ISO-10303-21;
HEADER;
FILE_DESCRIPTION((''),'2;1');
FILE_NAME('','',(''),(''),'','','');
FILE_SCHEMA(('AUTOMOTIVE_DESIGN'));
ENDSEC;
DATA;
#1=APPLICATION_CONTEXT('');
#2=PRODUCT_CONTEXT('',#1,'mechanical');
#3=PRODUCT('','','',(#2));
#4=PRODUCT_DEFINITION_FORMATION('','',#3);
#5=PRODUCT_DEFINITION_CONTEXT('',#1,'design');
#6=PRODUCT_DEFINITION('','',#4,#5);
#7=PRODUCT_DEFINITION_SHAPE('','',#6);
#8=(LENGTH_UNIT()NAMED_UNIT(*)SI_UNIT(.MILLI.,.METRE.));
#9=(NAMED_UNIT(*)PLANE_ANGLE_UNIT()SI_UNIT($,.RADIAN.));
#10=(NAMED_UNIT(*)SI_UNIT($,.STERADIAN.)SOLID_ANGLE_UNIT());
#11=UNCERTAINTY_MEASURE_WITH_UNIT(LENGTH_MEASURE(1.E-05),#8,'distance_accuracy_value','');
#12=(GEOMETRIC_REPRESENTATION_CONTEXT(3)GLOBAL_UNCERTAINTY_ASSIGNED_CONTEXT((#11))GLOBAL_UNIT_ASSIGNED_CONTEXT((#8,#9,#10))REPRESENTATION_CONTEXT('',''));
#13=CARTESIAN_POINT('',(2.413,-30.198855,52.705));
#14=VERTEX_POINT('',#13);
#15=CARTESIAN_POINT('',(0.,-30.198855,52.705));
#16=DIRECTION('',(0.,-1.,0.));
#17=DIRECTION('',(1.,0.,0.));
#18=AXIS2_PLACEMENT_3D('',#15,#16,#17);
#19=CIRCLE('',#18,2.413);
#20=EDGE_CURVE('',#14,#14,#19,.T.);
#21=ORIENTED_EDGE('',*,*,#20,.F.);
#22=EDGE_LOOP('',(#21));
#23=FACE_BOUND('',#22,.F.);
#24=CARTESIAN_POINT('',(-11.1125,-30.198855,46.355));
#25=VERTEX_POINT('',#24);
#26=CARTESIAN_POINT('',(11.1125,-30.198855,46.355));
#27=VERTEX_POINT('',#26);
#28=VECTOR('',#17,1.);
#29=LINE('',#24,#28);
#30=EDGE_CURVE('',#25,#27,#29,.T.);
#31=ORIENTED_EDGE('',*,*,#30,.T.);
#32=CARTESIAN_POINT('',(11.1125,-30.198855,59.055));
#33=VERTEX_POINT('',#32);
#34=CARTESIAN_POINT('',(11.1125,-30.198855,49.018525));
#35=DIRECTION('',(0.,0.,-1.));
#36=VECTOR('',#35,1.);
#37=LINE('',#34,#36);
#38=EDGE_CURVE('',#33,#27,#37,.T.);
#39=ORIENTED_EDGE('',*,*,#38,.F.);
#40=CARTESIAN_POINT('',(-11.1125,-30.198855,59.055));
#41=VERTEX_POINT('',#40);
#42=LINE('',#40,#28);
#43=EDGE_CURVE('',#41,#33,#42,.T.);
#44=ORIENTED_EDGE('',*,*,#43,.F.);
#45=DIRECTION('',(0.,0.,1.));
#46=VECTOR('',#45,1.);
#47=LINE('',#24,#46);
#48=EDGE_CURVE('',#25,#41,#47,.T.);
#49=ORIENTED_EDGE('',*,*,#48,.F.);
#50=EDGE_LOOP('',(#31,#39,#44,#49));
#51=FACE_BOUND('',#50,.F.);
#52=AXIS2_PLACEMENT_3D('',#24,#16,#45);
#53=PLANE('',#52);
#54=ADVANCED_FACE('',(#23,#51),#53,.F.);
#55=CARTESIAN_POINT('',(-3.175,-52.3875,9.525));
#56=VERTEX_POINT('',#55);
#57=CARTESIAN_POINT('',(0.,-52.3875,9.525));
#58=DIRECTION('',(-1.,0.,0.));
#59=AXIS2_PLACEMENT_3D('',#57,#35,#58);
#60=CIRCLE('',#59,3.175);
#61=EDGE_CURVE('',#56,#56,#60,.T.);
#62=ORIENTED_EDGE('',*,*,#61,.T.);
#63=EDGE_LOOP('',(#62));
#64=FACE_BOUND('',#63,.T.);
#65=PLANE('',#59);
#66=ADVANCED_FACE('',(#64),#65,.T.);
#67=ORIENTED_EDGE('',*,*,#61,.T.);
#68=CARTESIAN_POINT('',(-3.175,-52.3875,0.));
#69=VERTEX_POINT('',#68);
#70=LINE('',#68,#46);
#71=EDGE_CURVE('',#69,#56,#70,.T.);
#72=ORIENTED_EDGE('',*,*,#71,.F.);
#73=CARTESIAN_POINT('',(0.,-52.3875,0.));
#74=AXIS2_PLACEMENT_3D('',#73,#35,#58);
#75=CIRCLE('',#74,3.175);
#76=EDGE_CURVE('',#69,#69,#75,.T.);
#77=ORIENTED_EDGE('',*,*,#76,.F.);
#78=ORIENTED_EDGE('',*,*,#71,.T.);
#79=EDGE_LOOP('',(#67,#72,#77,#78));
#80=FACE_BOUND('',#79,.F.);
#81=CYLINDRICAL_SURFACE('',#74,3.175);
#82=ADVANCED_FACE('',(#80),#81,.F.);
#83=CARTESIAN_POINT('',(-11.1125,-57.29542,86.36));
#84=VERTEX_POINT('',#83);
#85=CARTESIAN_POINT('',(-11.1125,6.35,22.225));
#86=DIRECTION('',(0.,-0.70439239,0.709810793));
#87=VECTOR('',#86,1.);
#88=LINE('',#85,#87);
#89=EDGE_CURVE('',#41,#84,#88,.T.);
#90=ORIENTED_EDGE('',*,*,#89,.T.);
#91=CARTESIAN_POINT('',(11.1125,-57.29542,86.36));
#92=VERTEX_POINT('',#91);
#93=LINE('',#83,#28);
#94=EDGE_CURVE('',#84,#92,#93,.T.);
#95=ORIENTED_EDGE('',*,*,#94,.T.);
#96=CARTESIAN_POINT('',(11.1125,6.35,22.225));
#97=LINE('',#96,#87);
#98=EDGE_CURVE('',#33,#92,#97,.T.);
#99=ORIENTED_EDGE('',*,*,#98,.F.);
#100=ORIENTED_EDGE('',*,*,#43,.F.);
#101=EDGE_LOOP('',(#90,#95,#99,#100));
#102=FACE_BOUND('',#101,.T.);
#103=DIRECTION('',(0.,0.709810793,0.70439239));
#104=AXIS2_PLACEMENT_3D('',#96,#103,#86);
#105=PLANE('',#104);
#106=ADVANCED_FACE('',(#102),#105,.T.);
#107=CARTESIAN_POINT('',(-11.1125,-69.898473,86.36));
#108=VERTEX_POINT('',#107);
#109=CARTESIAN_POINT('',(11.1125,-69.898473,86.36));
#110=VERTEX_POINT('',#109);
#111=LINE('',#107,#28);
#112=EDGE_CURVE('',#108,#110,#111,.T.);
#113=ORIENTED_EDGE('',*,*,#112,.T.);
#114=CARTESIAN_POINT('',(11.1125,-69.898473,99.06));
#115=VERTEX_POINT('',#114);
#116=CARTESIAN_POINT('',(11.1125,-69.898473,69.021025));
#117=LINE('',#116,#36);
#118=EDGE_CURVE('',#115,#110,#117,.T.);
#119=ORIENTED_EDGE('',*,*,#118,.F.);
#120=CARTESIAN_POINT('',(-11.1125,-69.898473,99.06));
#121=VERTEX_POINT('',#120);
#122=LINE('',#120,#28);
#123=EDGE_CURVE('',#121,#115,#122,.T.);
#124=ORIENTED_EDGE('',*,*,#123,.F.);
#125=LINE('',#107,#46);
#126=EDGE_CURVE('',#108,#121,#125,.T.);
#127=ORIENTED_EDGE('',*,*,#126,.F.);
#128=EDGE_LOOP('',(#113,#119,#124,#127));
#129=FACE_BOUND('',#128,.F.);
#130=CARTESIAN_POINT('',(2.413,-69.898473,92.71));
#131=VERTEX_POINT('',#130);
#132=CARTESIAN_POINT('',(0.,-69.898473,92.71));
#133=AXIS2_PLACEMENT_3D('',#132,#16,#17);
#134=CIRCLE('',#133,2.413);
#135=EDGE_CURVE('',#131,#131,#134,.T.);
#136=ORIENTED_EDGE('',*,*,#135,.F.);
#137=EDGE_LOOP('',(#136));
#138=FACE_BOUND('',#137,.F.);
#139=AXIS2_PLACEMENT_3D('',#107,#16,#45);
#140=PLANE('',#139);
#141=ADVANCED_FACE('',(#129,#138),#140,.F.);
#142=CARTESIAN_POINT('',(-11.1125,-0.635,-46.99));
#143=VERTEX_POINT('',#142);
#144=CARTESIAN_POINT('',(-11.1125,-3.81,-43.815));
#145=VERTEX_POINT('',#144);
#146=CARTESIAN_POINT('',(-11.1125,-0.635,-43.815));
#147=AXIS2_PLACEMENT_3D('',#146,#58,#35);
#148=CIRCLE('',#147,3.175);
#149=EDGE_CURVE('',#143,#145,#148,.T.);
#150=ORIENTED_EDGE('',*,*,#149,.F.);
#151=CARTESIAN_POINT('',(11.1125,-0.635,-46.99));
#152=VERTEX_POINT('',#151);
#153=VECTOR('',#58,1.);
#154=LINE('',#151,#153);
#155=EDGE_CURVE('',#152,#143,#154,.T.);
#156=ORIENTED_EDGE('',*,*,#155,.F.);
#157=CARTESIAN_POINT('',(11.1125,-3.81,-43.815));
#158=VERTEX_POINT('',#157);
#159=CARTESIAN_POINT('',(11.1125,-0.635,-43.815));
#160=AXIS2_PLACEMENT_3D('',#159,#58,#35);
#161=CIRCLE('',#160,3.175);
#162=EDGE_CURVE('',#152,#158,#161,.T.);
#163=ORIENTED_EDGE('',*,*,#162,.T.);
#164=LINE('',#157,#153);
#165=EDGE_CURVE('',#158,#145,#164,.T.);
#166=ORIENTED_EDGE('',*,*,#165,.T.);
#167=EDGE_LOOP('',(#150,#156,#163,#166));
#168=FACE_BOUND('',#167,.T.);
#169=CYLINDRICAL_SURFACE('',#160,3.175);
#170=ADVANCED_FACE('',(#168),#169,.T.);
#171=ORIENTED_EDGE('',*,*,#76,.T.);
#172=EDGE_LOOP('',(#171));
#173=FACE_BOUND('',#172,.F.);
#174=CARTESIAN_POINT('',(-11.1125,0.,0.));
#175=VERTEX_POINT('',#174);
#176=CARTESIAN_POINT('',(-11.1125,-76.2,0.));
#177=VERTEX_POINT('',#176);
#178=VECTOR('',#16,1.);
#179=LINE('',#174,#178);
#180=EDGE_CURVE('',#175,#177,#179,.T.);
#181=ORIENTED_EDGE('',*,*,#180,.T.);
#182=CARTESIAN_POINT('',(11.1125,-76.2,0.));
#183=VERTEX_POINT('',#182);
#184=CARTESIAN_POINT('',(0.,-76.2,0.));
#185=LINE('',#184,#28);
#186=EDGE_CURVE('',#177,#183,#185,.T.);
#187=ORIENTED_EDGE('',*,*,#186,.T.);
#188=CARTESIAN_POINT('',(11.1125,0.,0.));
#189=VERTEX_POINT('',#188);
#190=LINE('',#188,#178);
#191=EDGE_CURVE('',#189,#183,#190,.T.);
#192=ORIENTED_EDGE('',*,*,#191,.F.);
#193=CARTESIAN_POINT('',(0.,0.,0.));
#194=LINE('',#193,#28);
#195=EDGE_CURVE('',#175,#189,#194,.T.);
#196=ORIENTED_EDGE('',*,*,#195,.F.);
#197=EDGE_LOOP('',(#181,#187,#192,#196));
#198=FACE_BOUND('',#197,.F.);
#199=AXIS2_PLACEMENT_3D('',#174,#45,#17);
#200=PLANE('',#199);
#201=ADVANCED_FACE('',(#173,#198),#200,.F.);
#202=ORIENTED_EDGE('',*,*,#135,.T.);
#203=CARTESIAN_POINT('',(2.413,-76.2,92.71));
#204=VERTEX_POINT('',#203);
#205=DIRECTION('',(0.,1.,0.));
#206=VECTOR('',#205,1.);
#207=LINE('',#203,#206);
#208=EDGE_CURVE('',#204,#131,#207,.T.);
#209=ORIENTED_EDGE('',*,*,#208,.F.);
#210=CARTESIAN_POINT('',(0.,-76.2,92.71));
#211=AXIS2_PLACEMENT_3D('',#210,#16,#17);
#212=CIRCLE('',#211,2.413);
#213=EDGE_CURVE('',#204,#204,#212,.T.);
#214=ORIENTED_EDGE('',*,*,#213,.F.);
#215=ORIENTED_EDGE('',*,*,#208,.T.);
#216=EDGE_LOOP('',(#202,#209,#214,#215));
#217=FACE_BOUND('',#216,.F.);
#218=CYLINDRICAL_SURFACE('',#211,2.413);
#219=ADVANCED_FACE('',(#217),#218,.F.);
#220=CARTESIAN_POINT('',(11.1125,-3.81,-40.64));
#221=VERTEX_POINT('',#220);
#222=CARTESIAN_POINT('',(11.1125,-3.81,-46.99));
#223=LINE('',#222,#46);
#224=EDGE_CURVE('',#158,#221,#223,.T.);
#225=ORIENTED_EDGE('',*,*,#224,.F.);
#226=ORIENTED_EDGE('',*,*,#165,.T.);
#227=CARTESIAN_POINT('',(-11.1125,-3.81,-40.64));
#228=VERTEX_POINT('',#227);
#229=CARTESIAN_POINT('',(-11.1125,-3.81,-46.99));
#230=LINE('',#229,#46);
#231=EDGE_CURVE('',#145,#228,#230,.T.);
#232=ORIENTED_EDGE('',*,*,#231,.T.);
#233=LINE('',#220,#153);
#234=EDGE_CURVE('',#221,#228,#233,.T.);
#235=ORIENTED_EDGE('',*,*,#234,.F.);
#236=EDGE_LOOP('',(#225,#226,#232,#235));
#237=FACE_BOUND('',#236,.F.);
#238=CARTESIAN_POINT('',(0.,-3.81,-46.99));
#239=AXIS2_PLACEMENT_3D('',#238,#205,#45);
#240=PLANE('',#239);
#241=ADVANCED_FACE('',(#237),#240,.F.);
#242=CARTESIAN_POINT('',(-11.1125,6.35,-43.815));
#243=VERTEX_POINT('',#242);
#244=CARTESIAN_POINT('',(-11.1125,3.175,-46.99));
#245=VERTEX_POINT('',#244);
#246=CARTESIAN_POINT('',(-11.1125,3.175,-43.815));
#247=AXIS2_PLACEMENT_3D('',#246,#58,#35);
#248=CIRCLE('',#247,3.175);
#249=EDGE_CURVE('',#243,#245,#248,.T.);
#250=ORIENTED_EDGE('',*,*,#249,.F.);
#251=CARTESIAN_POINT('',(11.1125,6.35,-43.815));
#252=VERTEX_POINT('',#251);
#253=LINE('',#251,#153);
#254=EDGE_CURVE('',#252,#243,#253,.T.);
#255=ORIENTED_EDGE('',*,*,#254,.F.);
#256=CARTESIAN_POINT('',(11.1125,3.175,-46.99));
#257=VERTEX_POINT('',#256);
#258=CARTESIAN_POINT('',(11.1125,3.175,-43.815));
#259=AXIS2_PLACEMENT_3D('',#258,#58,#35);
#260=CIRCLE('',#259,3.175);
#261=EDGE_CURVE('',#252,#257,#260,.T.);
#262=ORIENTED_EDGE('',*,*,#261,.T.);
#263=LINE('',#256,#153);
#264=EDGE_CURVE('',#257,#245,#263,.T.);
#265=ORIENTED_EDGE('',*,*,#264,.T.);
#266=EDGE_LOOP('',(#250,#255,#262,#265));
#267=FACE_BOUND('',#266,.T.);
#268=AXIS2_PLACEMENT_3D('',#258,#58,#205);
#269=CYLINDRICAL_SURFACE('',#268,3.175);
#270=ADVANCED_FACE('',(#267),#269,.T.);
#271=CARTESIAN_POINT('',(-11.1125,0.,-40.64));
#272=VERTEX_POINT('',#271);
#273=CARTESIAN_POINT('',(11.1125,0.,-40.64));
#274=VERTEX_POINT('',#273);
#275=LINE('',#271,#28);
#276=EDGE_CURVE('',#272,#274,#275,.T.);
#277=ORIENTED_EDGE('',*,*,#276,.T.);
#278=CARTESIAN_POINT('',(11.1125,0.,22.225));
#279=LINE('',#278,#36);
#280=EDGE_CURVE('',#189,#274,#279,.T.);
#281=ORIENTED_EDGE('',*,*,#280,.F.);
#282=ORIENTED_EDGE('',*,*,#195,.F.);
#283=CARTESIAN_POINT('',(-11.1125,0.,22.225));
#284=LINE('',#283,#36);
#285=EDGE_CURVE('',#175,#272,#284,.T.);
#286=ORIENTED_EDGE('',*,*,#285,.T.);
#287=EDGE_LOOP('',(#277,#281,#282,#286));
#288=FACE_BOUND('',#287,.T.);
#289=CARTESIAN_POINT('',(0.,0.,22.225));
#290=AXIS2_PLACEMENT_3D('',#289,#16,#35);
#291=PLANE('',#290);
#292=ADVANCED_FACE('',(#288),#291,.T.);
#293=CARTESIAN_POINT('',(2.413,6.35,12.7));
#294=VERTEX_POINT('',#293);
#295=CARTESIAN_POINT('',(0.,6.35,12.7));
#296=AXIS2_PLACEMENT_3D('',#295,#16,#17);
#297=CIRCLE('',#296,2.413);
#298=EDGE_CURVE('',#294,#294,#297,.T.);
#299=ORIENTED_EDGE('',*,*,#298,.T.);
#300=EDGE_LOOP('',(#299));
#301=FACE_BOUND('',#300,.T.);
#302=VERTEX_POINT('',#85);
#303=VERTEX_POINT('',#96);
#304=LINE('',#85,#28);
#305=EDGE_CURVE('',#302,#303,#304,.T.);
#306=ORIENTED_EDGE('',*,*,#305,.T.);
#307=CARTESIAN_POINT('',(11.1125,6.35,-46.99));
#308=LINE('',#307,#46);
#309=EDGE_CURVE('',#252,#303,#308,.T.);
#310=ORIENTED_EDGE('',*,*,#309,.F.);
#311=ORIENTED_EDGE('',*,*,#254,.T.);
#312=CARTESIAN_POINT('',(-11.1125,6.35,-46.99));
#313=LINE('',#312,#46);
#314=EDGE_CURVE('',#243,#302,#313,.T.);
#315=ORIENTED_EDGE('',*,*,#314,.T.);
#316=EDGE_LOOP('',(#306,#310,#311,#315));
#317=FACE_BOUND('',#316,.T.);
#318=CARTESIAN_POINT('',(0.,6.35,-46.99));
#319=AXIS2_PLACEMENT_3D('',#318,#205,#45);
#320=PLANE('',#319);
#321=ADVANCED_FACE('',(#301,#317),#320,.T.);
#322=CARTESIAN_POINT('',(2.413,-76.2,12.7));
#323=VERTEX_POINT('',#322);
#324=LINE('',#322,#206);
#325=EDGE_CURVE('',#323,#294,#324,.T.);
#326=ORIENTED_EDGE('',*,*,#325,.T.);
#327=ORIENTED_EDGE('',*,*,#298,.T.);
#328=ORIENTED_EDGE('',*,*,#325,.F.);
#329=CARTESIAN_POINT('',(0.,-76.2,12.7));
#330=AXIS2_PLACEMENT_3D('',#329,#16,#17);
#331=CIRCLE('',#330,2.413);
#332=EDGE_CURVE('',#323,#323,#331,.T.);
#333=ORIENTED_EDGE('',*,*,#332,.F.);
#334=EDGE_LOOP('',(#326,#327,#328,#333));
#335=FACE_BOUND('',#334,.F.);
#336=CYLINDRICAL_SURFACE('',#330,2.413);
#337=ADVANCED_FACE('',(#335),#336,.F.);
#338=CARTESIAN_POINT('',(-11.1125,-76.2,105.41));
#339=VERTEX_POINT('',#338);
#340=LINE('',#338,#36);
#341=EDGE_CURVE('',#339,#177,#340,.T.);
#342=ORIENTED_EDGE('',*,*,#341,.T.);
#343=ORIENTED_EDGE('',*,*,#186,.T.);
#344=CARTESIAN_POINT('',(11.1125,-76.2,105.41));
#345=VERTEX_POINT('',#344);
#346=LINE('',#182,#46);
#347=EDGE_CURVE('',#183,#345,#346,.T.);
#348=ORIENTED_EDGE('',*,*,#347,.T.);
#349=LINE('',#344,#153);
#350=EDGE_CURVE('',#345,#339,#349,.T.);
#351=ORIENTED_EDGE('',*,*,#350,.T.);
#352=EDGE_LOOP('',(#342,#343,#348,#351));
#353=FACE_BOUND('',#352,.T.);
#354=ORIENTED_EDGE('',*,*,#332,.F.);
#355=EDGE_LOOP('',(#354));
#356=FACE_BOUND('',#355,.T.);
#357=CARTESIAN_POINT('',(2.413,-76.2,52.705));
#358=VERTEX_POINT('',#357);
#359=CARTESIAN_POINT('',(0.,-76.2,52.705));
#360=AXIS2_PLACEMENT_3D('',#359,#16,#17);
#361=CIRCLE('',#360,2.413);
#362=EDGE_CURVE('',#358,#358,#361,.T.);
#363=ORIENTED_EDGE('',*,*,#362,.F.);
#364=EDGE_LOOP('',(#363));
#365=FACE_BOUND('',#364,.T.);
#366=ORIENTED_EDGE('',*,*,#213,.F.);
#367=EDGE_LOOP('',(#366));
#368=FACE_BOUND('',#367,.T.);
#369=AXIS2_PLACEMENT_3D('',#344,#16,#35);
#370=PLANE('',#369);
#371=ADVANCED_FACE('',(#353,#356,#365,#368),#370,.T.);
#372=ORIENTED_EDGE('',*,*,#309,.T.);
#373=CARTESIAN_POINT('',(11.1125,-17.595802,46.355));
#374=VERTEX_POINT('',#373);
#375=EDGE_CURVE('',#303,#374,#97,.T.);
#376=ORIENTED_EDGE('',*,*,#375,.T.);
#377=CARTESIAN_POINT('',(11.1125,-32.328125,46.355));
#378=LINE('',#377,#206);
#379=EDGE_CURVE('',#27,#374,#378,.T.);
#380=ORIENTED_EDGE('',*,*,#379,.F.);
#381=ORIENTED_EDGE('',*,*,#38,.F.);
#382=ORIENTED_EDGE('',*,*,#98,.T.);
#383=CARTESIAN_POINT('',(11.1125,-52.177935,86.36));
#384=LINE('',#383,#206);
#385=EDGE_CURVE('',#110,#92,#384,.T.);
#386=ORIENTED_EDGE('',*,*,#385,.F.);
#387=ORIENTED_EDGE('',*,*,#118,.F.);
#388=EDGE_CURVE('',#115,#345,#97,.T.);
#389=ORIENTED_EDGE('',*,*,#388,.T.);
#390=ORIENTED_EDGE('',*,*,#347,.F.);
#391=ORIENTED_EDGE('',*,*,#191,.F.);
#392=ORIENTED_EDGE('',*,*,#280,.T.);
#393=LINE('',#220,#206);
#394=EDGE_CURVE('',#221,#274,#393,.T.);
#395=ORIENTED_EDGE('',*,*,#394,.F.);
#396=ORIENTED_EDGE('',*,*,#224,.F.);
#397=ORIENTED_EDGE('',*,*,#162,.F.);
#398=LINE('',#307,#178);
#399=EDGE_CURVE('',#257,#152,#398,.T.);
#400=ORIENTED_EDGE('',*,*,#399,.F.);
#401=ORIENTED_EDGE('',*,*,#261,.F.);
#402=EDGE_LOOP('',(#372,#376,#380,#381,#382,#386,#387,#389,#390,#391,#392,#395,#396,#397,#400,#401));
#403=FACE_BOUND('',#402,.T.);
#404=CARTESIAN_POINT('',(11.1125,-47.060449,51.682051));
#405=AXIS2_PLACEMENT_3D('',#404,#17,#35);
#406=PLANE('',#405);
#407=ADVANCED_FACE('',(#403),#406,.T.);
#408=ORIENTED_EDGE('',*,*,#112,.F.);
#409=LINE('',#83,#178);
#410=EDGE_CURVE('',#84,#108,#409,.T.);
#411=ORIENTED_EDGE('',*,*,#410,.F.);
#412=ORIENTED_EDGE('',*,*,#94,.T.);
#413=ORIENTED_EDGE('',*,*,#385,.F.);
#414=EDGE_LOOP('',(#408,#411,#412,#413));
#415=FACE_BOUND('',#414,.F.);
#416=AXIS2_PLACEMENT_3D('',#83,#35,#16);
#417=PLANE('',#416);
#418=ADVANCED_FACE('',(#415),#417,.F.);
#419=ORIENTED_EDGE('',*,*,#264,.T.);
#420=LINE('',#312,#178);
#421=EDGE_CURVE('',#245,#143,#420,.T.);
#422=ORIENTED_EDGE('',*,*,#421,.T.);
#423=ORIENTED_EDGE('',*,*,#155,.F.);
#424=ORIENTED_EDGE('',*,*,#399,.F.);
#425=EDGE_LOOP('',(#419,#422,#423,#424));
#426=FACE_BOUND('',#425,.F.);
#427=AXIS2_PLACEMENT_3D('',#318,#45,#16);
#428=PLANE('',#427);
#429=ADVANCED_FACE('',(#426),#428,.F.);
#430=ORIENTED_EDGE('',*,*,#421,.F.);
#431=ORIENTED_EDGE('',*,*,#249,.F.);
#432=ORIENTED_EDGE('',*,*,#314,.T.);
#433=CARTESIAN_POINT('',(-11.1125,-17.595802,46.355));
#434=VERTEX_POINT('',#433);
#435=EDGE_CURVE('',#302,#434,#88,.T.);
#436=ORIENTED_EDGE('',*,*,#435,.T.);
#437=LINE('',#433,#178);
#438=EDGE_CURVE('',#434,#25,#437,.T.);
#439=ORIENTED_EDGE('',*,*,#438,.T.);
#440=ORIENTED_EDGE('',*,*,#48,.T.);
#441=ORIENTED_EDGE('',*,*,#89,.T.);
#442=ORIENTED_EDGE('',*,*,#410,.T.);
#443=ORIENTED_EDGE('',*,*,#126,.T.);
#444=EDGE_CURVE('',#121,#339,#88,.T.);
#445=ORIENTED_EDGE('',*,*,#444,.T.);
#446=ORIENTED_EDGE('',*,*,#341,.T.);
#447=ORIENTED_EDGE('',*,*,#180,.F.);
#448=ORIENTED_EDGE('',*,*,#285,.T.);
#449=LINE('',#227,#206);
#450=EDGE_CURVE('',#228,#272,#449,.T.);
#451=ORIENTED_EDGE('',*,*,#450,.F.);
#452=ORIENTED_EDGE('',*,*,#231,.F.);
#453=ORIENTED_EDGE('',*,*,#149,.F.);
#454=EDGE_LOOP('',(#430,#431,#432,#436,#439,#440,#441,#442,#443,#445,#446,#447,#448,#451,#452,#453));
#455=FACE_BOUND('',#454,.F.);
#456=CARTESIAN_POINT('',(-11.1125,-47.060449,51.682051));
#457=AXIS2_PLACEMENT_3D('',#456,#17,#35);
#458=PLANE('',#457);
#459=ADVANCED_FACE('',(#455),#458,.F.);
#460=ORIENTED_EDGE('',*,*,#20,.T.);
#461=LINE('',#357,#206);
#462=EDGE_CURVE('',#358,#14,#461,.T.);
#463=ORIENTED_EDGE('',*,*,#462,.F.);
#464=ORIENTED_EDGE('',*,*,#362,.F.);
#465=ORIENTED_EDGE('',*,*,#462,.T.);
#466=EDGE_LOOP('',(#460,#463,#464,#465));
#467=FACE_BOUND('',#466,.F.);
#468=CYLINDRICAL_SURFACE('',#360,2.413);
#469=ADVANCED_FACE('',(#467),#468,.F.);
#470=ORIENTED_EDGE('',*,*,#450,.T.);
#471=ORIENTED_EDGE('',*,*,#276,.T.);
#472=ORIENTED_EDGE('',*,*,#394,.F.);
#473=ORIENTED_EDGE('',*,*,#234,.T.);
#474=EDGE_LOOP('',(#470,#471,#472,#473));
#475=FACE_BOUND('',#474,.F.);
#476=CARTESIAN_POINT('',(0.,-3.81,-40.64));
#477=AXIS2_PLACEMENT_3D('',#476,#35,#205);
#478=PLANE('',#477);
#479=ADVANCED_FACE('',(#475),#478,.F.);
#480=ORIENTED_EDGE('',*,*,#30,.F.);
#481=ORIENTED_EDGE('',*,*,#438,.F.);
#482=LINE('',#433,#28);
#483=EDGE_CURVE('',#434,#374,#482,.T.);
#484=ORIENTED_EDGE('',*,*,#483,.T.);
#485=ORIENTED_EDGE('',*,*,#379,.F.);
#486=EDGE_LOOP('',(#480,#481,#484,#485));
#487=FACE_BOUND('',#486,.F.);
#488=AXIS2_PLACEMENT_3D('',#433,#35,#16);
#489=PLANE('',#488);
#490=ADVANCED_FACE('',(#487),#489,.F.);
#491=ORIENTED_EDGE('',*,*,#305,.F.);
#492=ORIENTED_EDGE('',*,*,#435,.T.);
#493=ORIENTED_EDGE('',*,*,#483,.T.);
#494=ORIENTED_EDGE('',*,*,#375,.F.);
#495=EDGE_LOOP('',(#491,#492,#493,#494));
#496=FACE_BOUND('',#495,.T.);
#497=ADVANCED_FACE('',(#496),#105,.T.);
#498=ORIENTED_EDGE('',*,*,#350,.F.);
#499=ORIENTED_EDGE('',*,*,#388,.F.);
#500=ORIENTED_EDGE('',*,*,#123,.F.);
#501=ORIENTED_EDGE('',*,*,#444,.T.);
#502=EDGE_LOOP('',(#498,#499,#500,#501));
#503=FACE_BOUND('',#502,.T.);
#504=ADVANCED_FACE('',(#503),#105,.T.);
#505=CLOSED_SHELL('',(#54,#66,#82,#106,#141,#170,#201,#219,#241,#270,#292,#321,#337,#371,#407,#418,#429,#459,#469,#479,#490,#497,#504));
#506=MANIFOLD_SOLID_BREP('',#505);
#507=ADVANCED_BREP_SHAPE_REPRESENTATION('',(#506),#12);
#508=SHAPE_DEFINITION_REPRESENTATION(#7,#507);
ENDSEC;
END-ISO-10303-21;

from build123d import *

# Parameters (mm, degrees)
BOSS_EXTRUDE1_DEPTH     = 11.1125
SKETCH3_W               = 22.225
SKETCH3_H               = 22.225
BOSS_EXTRUDE2_DEPTH     = 76.2
BOSS_EXTRUDE3_DEPTH     = 22.225
SKETCH6_R               = 2.413
CUT_EXTRUDE1_DEPTH      = 83.55
CUT_EXTRUDE2_DEPTH      = 1
CUT_EXTRUDE2_DEPTH_BACK = 23.225
FILLET1_R               = 3.175
SKETCH8_R               = 3.175
CUT_EXTRUDE3_DEPTH      = 9.525


with BuildPart() as part:
    # Sketch1 → Boss-Extrude1 (new body, symmetric)
    with BuildSketch(Plane(origin=(0, 0, 0), x_dir=(0, 0, -1), z_dir=(1, 0, 0))):
        Polygon((-22.225, 6.35), (0, 6.35), (46.99, 6.35), (46.99, -3.81), (40.64, -3.81), (40.64, 0), (0, 0), (-22.225, 0), align=None)
    extrude(amount=BOSS_EXTRUDE1_DEPTH, both=True)

    # Sketch3 → Boss-Extrude2 (add)
    with BuildSketch(Plane.XZ):
        with Locations((0, 11.1125)):
            Rectangle(SKETCH3_W, SKETCH3_H)
    extrude(amount=BOSS_EXTRUDE2_DEPTH)

    # Sketch5 → Boss-Extrude3 (add)
    with BuildSketch(Plane(origin=(11.1125, 0, 0), x_dir=(0, 0, -1), z_dir=(1, 0, 0))):
        Polygon((-22.225, 6.35), (-105.41, -76.2), (-22.225, -76.2), align=None)
    extrude(amount=-BOSS_EXTRUDE3_DEPTH)

    # Sketch6 → Cut-Extrude1 (cut, through all)
    with BuildSketch(Plane.XZ.offset(76.2)):
        with Locations((0, 92.71)):
            Circle(SKETCH6_R)
        with Locations((0, 12.7)):
            Circle(SKETCH6_R)
        with Locations((0, 52.705)):
            Circle(SKETCH6_R)
    extrude(amount=-CUT_EXTRUDE1_DEPTH, mode=Mode.SUBTRACT)

    # Sketch7 → Cut-Extrude2 (cut, two sides)
    with BuildSketch(Plane.ZY.offset(11.1125)) as cut_extrude2_sk:
        Polygon((46.355, -17.595801527), (46.355, -30.198854962), (59.055, -30.198854962), align=None)
        Polygon((86.36, -57.295419847), (86.36, -69.898473282), (99.06, -69.898473282), align=None)
    extrude(amount=CUT_EXTRUDE2_DEPTH, mode=Mode.SUBTRACT)
    extrude(cut_extrude2_sk.sketch, amount=-CUT_EXTRUDE2_DEPTH_BACK, mode=Mode.SUBTRACT)

    # Fillet1
    fillet1_edges = [part.edges().sort_by_distance(p)[0] for p in [
        (0, 6.35, -46.99),
        (0, -3.81, -46.99),
    ]]
    fillet(fillet1_edges, radius=FILLET1_R)

    # Sketch8 → Cut-Extrude3 (cut)
    with BuildSketch(Plane(origin=(0, 0, 0), x_dir=(-1, 0, 0), z_dir=(0, 0, -1))):
        with Locations((0, -52.3875)):
            Circle(SKETCH8_R)
    extrude(amount=-CUT_EXTRUDE3_DEPTH, mode=Mode.SUBTRACT)


solid = part.part
